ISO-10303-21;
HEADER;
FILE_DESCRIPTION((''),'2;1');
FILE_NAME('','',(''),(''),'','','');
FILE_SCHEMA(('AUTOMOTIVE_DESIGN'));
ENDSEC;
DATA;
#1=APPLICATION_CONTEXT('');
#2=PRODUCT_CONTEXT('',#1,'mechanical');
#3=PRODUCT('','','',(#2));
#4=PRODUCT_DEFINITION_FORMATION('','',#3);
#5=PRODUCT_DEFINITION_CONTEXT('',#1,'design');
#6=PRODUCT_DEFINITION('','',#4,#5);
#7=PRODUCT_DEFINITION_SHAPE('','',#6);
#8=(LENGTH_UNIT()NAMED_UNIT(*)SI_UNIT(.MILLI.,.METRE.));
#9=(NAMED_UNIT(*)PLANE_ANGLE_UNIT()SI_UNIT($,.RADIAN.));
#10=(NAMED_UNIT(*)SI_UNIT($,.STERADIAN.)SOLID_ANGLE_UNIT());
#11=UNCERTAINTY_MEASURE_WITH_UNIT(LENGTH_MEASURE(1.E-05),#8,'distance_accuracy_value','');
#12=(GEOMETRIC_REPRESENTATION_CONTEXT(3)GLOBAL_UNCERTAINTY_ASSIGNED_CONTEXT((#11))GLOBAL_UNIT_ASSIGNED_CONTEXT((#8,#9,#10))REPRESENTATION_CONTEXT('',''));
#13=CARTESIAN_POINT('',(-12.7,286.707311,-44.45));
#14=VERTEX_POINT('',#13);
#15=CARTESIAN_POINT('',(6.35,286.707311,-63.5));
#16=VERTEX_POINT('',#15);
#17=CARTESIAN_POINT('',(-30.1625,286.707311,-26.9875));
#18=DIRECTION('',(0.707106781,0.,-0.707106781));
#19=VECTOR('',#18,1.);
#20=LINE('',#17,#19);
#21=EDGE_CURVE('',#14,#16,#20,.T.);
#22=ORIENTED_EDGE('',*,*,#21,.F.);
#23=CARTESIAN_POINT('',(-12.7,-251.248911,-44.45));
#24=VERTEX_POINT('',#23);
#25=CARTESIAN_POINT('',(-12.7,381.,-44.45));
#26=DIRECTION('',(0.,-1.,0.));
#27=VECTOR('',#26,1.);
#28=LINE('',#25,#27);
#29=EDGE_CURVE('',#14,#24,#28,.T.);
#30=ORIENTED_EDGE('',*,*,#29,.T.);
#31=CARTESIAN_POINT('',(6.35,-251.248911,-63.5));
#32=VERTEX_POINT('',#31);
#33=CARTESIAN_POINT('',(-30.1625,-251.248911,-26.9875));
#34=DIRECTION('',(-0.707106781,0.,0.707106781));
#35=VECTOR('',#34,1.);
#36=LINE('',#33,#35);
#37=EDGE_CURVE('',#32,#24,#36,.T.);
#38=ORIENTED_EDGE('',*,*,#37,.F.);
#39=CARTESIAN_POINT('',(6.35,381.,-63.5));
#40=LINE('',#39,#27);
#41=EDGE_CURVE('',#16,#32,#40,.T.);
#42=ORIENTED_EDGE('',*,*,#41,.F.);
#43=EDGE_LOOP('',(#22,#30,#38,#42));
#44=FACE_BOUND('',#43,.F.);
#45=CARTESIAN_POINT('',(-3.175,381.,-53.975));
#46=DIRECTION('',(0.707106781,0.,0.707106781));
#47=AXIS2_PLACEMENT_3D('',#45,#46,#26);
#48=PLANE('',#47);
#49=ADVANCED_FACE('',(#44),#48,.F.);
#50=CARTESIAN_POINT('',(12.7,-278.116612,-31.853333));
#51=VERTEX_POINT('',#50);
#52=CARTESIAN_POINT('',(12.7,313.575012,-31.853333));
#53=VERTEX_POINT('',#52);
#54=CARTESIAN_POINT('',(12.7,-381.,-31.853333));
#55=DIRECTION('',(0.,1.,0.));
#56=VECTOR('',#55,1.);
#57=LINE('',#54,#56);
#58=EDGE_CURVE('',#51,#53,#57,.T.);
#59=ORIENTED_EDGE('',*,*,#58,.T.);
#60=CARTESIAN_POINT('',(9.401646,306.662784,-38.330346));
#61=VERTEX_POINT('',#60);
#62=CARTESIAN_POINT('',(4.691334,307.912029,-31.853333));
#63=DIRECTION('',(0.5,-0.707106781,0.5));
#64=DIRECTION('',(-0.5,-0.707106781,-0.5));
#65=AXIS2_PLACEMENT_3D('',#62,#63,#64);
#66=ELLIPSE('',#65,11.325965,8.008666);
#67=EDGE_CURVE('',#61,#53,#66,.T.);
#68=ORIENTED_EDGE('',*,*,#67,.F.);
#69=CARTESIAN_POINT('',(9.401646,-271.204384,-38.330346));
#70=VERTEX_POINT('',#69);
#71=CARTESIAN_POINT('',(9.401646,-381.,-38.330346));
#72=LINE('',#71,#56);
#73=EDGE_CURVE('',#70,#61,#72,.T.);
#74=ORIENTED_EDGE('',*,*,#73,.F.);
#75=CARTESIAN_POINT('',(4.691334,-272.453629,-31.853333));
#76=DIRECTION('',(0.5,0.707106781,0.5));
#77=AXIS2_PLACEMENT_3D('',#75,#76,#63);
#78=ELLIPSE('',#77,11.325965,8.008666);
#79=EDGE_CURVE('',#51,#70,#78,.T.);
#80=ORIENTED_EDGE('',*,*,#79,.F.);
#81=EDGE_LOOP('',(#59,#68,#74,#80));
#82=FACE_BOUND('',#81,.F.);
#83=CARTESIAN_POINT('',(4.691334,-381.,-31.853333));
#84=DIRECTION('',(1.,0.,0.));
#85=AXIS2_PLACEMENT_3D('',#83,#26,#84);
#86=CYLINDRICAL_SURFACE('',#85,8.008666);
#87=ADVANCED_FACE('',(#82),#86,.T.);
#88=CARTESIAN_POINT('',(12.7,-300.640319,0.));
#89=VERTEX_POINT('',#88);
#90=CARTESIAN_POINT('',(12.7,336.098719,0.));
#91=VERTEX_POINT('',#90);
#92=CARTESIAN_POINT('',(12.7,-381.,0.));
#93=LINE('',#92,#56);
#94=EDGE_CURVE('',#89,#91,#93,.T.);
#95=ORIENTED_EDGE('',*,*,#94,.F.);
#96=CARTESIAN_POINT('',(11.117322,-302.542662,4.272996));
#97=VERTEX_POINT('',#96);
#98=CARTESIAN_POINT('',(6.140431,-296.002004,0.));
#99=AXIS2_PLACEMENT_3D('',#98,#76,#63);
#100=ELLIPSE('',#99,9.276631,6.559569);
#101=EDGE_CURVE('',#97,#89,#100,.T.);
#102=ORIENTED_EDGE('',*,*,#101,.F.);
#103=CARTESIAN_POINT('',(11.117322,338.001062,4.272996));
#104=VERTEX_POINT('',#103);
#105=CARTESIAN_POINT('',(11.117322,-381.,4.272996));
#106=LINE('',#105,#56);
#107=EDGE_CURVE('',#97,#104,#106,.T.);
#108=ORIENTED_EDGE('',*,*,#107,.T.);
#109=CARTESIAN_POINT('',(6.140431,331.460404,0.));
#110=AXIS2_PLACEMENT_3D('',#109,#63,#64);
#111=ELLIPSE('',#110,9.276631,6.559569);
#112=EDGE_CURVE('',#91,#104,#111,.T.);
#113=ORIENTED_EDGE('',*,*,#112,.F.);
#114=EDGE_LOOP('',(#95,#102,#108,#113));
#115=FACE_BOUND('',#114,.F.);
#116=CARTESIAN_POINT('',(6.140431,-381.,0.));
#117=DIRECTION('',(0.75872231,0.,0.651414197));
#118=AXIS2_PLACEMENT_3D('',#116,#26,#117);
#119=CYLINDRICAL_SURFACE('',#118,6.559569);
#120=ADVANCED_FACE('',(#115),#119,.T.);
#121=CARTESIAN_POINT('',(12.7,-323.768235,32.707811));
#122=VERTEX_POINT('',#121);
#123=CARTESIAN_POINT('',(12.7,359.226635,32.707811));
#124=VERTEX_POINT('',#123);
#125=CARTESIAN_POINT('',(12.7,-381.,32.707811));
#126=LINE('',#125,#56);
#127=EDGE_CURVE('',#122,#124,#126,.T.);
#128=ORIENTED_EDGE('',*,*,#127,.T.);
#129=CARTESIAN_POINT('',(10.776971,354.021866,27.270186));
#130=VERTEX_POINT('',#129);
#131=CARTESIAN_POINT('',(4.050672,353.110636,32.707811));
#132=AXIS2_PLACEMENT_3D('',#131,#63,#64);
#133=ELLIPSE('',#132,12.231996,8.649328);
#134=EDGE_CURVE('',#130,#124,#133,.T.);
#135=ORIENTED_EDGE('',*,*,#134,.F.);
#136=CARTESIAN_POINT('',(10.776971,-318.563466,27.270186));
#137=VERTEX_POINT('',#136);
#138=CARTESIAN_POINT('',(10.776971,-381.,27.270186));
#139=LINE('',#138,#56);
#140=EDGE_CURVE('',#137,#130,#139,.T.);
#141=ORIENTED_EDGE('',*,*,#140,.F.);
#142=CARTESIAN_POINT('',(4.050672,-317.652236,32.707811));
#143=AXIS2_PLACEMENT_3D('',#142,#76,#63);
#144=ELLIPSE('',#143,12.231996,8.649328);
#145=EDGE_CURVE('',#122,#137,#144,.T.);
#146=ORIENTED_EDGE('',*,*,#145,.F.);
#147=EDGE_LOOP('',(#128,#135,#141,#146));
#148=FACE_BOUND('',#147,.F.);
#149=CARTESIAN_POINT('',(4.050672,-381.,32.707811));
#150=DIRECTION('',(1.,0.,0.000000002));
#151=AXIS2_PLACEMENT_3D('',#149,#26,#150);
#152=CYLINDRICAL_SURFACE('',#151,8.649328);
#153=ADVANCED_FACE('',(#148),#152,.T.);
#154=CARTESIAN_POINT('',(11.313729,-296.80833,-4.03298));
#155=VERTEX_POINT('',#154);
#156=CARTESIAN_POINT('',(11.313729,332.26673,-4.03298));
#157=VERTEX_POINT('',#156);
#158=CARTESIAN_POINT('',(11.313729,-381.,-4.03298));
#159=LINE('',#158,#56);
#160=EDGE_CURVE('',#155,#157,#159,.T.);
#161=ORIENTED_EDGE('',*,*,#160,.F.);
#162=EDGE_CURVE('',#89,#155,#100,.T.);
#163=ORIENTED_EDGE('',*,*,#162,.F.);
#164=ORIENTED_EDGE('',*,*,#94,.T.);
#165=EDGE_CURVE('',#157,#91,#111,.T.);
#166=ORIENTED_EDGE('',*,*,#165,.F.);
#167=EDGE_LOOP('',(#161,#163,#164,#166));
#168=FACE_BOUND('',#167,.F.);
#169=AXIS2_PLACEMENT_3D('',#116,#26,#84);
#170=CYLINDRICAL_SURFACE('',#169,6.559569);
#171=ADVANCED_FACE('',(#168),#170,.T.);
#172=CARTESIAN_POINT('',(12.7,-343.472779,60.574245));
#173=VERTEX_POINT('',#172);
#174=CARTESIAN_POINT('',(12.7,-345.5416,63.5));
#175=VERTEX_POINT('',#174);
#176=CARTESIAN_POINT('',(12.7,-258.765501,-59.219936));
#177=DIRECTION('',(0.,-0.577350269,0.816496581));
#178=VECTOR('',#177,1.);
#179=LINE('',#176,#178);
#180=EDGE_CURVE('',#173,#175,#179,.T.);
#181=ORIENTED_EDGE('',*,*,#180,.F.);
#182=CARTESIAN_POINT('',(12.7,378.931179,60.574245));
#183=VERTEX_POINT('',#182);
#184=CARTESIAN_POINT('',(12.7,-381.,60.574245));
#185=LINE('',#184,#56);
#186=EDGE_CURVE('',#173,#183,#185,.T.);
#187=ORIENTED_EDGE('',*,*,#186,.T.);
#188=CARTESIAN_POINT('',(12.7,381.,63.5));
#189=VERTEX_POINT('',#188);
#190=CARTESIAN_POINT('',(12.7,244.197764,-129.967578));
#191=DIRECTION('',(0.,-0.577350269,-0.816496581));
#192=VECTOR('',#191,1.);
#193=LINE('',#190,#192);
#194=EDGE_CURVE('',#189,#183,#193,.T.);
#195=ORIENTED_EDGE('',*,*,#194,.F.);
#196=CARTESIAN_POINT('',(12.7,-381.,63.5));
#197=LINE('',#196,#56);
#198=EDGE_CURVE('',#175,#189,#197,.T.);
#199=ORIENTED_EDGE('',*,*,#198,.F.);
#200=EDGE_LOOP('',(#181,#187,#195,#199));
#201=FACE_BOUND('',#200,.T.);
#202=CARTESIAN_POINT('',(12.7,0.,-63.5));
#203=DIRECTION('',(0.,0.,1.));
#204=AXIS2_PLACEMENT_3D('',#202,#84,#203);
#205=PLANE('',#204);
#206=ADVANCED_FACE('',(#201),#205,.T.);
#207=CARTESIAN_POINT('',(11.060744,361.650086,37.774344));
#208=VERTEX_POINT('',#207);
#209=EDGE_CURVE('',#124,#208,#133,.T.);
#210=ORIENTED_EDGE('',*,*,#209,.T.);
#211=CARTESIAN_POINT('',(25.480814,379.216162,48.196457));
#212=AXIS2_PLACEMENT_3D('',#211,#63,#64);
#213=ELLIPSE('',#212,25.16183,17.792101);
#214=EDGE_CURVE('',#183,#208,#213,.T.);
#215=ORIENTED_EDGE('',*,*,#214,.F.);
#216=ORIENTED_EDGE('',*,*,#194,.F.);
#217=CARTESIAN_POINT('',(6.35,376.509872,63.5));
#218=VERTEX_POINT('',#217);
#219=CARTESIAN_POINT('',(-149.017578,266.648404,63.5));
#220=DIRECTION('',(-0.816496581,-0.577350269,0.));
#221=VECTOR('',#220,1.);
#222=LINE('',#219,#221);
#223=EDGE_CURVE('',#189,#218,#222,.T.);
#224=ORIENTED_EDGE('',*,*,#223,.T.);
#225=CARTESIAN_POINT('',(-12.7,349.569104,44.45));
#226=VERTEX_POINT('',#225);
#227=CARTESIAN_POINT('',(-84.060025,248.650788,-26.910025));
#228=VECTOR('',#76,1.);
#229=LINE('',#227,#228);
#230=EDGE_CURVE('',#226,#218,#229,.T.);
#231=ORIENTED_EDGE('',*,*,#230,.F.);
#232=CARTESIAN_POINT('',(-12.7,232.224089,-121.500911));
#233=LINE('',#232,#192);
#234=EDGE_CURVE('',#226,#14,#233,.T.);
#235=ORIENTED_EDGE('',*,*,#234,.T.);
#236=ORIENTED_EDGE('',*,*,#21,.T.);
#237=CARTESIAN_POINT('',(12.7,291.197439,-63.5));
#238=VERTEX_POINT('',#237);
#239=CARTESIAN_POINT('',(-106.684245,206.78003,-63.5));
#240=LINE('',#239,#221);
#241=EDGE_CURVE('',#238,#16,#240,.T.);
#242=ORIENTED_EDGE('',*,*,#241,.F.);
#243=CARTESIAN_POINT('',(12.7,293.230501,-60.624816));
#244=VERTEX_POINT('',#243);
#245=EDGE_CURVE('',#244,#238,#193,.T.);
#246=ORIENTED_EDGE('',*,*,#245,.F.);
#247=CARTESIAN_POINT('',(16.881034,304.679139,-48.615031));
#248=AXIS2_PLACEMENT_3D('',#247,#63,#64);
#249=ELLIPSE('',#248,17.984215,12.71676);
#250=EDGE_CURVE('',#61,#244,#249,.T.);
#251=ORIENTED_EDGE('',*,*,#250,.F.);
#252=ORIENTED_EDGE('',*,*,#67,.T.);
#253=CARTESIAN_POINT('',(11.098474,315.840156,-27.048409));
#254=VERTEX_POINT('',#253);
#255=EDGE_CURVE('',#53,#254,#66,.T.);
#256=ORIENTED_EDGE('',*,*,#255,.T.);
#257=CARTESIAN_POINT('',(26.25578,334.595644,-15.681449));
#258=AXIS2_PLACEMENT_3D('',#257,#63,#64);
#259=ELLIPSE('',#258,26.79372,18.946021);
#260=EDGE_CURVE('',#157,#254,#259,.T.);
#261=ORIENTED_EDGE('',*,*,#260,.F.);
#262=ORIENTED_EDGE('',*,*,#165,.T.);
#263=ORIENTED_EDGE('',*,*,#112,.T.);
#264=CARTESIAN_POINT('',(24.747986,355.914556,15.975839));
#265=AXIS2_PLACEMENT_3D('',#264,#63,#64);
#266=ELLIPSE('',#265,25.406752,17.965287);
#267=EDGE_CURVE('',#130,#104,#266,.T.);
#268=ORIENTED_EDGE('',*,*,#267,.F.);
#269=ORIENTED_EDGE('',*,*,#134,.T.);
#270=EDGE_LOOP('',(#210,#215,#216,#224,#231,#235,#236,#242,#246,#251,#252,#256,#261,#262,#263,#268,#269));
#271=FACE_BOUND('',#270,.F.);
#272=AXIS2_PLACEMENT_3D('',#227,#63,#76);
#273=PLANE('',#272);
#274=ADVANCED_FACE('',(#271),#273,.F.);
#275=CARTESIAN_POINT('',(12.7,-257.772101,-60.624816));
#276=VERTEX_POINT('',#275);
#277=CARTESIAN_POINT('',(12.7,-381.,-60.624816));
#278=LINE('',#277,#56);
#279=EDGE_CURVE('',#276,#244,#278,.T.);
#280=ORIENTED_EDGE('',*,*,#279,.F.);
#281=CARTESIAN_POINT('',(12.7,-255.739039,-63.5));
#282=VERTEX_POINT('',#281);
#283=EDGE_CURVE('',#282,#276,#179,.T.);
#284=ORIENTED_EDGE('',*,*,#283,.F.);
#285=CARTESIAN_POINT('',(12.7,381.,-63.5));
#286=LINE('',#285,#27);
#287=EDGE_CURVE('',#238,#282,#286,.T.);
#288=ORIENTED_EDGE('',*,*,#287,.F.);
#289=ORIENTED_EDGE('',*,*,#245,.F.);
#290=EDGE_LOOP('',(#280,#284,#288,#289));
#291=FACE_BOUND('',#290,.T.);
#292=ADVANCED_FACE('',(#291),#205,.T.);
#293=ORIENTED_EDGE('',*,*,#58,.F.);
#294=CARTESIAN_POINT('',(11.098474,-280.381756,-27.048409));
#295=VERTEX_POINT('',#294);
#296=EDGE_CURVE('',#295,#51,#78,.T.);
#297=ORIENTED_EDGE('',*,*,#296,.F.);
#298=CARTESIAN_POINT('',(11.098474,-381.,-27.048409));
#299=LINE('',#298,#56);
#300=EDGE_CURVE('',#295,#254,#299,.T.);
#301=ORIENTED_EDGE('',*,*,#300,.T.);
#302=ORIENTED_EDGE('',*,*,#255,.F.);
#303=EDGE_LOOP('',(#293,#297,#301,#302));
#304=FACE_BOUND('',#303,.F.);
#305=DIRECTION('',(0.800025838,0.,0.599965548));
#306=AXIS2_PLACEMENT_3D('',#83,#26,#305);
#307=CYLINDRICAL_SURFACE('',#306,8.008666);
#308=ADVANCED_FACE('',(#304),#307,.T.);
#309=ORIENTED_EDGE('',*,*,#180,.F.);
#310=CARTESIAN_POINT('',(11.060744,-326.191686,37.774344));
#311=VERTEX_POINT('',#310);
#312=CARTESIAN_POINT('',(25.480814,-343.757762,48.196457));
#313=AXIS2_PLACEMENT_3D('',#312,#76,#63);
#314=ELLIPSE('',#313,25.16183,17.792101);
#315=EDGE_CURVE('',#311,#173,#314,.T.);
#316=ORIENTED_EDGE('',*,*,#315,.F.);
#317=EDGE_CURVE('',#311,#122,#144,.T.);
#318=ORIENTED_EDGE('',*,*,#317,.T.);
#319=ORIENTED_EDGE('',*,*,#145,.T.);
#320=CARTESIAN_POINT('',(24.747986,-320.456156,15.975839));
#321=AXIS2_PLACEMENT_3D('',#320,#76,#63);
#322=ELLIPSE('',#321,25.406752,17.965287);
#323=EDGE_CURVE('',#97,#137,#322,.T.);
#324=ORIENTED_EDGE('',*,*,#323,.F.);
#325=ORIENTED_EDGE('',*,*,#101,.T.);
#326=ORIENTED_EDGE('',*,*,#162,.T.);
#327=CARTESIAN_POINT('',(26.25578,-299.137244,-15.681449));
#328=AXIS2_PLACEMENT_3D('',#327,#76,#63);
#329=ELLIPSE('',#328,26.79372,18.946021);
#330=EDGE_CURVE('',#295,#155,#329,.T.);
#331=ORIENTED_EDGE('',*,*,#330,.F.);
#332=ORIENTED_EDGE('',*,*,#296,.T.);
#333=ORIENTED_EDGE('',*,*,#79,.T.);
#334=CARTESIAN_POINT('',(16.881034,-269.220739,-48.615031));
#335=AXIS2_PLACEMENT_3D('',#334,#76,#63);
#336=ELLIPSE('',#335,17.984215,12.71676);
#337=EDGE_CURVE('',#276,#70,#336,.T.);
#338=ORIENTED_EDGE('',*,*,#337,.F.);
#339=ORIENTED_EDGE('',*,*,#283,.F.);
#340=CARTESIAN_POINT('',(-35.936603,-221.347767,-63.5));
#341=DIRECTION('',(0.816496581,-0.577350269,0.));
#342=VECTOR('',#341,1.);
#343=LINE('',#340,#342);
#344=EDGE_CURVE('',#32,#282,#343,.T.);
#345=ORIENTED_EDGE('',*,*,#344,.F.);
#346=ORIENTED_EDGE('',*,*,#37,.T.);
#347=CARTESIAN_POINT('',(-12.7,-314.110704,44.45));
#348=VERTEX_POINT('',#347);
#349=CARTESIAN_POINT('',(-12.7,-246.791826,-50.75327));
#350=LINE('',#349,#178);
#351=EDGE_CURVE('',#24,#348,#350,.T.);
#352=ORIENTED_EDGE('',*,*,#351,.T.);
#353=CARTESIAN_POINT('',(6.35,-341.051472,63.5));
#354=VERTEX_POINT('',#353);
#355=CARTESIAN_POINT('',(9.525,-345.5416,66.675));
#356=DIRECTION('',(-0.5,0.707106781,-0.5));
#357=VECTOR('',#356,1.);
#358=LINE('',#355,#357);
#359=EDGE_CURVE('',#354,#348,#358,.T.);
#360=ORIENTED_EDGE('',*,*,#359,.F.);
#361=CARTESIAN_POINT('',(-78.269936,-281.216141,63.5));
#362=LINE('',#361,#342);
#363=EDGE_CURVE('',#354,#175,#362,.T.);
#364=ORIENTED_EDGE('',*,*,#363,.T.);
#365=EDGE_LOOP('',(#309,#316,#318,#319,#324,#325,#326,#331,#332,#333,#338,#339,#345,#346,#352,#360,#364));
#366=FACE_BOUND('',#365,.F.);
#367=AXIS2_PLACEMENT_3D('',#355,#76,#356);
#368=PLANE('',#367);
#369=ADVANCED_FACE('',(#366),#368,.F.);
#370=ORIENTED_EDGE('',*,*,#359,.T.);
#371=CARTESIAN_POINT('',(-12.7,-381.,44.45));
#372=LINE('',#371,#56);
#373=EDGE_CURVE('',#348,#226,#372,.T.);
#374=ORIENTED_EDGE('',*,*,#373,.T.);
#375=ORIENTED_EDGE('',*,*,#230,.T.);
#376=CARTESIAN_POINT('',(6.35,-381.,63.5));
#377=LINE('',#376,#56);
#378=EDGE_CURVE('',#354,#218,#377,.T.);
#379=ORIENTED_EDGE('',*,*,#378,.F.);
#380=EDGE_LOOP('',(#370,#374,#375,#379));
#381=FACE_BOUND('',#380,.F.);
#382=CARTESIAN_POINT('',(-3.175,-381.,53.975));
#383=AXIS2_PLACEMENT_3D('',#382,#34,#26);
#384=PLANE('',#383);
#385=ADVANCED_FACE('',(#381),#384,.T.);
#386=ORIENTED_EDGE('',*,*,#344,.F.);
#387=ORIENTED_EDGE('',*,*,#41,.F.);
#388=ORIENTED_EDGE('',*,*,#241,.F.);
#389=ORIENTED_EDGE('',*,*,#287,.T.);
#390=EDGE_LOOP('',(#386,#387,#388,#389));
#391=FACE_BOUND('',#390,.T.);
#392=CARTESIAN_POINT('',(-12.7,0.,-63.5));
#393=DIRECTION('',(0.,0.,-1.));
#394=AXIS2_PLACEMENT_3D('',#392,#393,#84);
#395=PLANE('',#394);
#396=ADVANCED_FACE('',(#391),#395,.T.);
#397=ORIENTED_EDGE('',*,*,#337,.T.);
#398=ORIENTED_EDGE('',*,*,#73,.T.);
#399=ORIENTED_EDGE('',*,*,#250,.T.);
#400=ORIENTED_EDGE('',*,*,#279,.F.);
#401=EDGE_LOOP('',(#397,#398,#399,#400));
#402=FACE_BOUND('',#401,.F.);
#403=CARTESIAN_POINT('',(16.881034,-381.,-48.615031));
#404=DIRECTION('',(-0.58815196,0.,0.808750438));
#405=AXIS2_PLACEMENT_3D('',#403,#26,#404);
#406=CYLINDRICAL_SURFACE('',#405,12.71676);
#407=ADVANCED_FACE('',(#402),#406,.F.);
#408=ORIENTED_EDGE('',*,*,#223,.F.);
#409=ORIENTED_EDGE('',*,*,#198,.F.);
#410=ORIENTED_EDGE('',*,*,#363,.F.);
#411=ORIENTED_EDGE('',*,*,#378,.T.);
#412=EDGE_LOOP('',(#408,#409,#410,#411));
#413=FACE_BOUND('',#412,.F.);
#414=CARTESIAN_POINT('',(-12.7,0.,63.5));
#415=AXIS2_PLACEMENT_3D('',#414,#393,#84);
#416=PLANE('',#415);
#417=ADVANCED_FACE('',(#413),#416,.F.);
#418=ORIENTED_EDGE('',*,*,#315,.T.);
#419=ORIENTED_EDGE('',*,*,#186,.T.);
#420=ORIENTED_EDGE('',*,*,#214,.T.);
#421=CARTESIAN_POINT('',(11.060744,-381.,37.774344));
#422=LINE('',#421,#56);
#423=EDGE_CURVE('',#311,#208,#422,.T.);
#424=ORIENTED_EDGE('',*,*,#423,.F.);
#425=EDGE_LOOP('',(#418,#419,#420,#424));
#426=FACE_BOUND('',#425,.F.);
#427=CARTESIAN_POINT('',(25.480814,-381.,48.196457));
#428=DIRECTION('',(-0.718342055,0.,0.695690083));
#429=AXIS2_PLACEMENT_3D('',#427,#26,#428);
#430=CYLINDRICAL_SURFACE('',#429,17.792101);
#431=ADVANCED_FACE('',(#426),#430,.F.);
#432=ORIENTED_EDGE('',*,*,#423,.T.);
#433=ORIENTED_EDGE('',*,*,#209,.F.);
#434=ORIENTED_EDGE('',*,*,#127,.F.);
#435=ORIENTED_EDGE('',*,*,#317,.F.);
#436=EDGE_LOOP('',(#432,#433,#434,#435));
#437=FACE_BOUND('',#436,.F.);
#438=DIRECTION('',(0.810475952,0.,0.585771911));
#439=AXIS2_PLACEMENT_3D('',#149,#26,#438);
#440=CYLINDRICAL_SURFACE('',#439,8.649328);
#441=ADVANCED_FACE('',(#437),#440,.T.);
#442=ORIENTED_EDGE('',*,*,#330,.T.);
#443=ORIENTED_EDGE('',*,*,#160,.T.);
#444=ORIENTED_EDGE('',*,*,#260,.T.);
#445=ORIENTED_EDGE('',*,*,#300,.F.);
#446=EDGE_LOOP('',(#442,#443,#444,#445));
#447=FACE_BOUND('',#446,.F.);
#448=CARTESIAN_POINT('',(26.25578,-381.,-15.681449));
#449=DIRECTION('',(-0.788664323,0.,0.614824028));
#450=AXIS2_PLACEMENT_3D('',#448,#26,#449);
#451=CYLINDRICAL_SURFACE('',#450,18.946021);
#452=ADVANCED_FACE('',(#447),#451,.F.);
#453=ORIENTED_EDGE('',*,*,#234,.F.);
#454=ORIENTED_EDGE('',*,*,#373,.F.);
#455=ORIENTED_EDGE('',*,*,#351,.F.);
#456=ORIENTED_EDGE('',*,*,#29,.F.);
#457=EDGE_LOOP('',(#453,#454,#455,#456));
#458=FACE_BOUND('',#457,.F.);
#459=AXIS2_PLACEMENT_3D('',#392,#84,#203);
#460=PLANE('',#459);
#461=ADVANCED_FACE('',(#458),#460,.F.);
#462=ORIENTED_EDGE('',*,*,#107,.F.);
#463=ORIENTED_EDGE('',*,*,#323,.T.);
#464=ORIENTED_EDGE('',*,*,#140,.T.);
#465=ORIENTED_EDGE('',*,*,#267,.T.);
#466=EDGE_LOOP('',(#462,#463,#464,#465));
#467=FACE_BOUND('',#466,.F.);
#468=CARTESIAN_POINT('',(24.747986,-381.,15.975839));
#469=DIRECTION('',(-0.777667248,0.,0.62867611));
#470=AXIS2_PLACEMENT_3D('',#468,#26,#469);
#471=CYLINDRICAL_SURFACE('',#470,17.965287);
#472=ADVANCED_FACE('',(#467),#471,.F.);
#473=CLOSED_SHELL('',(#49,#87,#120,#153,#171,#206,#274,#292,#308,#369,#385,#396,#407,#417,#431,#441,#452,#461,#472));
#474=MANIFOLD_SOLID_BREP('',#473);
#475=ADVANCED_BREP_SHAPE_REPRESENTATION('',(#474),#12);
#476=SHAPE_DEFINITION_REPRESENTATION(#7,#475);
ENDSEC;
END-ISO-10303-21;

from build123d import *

# Parameters (mm, degrees)
F0_W     = 25.4
F0_H     = 127
F1_DEPTH = 381
F2_SIZE  = 19.05
F4_DEPTH = 762.001
F6_DEPTH = 94.2936892712


with BuildPart() as f1:
    # F0 (on Front) → F1 (new body, symmetric)
    with BuildSketch(Plane.XZ):
        Rectangle(F0_W, F0_H)
    extrude(amount=F1_DEPTH, both=True)

    # F2
    f2_edges = [f1.edges().sort_by_distance(p)[0] for p in [
        (-12.7, 0, 63.5),
        (-12.7, 0, -63.5),
    ]]
    chamfer(f2_edges, length=F2_SIZE)

    # F3 (on face) → F4 (cut, through all)
    with BuildSketch(Plane.XZ.offset(381)):
        with BuildLine():
            ThreePointArc((11.0607444282, 37.7743444236), (12.2799882072, 35.3703719511), (12.7, 32.7078113162))
            Line((12.7, 32.7078113162), (12.7, 60.5742454254))
            ThreePointArc((12.7, 60.5742454254), (7.734521827, 49.4723711463), (11.0607444282, 37.7743444236))
        make_face()
        with BuildLine():
            ThreePointArc((12.7, 32.7078113162), (12.2050831664, 29.8239852054), (10.7769712009, 27.270185698))
            ThreePointArc((10.7769712009, 27.270185698), (6.7846666798, 15.7099875002), (11.1173224388, 4.2729961198))
            ThreePointArc((11.1173224388, 4.2729961198), (12.2916182124, 2.2783417271), (12.7, 0))
            Line((12.7, 0), (12.7, 32.7078113162))
        make_face()
        with BuildLine():
            Line((12.7, -31.8533331156), (12.7, 0))
            ThreePointArc((12.7, 0), (12.3437587955, -2.132292065), (11.3137291276, -4.0329803954))
            ThreePointArc((11.3137291276, -4.0329803954), (7.3105875393, -15.5042613468), (11.0984736295, -27.0484091373))
            ThreePointArc((11.0984736295, -27.0484091373), (12.2890761787, -29.3209339985), (12.7, -31.8533331156))
        make_face()
        with BuildLine():
            Line((12.7, -60.6248162719), (12.7, -31.8533331156))
            ThreePointArc((12.7, -31.8533331156), (11.8279315788, -35.4875740202), (9.4016464054, -38.3303456503))
            ThreePointArc((9.4016464054, -38.3303456503), (4.3012002964, -50.4761533584), (12.7, -60.6248162719))
        make_face()
    extrude(amount=-F4_DEPTH, mode=Mode.SUBTRACT)

    # F5 (on face) → F6 (cut, through all)
    with BuildSketch(Plane(origin=(-28.575, 0, 28.575), x_dir=(0, -1, 0), z_dir=(-0.7071067812, 0, 0.7071067812))):
        Polygon((381, 22.4506403027), (314.1107035763, 22.4506403027), (238.774623845, -52.8854394286), (381, -52.8854394286), align=None)
        Polygon((381, 49.3914086659), (341.0514719395, 49.3914086659), (314.1107035763, 22.4506403027), (381, 22.4506403027), align=None)
        Polygon((381, 53.8815367264), (345.5416, 53.8815367264), (341.0514719395, 49.3914086659), (381, 49.3914086659), align=None)
        Polygon((-349.5691035763, 22.4506403027), (-381, 22.4506403027), (-381, -78.4676751543), (-248.6507881192, -78.4676751543), align=None)
        Polygon((-376.5098719395, 49.3914086659), (-381, 49.3914086659), (-381, 22.4506403027), (-349.5691035763, 22.4506403027), align=None)
        Polygon((-376.5098719395, 49.3914086659), (-381, 53.8815367264), (-381, 49.3914086659), align=None)
    extrude(amount=-F6_DEPTH, mode=Mode.SUBTRACT)


solid = f1.part
